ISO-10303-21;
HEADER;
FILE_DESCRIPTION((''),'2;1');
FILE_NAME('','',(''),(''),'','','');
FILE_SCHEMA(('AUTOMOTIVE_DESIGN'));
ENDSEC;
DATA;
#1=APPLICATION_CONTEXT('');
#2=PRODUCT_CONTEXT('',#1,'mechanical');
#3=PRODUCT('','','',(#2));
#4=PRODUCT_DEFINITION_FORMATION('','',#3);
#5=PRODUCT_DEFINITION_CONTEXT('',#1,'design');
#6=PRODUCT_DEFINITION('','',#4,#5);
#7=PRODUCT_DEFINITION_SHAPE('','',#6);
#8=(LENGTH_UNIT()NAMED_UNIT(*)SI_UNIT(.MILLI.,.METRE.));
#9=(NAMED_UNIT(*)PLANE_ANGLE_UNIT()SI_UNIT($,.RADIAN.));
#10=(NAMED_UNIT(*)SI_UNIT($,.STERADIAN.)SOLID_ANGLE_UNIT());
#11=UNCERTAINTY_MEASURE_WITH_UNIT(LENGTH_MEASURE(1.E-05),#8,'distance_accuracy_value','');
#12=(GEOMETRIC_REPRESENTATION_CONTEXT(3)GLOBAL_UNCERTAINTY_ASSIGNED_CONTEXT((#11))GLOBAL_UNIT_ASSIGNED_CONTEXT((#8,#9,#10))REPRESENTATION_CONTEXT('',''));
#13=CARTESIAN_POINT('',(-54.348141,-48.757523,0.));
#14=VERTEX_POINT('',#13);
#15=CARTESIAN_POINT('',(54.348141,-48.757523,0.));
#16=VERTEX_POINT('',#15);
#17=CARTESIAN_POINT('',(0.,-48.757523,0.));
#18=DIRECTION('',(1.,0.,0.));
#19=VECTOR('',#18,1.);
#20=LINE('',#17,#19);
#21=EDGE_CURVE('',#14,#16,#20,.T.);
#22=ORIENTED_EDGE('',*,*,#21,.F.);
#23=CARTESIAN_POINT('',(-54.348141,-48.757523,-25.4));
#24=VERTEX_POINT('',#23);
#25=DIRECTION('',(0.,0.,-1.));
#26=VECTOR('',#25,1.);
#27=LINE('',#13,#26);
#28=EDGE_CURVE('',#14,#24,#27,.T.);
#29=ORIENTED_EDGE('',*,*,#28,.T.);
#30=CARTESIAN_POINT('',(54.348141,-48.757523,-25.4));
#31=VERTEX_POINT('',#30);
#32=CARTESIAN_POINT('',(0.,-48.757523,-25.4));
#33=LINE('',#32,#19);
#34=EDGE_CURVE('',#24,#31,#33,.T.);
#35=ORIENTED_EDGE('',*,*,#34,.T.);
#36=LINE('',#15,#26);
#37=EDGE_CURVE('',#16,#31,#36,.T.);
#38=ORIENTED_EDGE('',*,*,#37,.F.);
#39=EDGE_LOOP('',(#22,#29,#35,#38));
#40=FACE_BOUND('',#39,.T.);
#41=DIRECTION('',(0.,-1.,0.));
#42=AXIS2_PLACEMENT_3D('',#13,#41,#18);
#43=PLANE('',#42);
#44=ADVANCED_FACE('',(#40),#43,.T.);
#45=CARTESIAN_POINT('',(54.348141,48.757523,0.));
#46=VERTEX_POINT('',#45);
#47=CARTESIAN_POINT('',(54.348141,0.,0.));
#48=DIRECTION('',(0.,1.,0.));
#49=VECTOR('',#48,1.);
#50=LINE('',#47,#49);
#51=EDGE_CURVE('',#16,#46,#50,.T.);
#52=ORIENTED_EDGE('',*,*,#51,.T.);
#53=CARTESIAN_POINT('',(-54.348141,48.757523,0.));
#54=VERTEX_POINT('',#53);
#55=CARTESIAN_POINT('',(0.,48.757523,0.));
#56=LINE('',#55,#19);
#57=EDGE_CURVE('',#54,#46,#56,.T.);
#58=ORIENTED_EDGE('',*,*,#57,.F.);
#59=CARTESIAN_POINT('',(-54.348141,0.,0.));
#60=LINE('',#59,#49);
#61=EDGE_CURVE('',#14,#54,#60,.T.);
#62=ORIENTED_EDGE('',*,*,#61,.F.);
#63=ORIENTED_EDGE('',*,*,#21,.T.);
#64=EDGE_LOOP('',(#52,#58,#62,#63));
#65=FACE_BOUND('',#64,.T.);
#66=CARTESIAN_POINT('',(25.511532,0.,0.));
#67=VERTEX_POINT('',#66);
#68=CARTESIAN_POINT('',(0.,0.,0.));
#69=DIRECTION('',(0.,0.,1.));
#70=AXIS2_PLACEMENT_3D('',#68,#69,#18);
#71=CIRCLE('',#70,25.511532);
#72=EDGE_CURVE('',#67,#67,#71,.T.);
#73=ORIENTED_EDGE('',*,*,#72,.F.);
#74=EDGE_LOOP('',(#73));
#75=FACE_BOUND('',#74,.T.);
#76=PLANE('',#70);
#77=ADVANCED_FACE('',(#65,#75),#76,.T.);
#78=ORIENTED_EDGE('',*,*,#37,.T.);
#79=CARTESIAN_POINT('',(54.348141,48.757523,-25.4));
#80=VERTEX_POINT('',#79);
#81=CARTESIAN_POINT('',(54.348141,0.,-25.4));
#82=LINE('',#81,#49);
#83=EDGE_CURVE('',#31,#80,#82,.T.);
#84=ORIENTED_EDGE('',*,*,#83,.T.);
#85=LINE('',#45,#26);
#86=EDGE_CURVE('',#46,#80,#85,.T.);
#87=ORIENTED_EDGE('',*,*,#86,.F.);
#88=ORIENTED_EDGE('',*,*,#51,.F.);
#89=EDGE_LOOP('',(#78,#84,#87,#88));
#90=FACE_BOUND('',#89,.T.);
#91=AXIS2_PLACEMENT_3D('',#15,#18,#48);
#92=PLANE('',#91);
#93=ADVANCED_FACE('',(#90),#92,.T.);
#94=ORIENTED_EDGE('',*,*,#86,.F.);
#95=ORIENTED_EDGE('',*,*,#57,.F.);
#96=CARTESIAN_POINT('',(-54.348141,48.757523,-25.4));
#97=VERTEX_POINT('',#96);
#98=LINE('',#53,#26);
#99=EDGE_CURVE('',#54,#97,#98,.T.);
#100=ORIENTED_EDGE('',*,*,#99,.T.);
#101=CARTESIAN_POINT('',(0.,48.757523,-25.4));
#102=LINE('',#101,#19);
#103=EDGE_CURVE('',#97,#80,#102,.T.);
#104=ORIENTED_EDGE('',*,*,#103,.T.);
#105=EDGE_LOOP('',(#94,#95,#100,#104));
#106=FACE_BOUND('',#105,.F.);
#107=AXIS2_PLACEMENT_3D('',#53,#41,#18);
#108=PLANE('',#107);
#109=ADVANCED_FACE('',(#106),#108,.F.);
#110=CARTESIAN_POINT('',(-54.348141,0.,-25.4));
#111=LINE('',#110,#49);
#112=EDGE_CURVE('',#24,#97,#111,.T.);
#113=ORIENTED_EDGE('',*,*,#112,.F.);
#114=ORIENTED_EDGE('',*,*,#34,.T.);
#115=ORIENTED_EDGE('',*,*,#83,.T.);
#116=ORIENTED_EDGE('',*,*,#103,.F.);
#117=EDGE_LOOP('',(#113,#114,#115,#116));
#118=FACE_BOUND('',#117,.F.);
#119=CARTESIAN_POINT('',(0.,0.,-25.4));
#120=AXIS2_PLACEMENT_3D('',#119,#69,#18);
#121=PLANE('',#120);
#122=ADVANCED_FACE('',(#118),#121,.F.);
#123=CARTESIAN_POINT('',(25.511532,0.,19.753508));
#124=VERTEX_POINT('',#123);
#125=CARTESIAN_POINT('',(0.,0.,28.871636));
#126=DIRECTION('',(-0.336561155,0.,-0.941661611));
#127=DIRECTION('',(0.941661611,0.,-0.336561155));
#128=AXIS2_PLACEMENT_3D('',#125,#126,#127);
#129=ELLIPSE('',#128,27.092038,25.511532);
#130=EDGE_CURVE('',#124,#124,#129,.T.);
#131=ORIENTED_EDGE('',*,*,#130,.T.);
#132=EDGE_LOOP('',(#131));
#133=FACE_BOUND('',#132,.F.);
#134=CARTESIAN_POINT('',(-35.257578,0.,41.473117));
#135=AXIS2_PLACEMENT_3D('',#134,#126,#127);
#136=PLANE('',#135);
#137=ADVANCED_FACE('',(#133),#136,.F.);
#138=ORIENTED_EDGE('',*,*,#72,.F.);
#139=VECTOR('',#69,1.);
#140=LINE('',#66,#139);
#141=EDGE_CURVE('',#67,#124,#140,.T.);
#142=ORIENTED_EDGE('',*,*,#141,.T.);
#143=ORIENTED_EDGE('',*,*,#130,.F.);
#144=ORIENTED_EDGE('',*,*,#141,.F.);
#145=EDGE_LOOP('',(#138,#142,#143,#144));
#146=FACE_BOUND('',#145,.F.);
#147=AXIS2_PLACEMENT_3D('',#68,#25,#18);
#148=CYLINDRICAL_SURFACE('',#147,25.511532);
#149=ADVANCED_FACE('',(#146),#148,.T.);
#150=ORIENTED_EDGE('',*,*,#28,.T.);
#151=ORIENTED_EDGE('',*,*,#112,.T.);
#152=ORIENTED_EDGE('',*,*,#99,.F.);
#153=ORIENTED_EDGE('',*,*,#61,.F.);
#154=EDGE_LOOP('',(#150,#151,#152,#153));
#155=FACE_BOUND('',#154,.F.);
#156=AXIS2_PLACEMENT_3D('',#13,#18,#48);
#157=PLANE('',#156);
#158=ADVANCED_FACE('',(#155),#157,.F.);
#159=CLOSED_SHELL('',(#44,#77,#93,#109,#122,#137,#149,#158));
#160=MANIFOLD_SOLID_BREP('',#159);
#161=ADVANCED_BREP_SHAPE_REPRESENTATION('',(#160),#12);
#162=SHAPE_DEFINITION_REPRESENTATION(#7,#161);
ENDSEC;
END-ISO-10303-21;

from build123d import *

# Parameters (mm, degrees)
F0_W     = 108.696282
F0_H     = 97.515046
F1_DEPTH = 25.4
F2_R     = 25.511532
F3_DEPTH = 38.1
F5_DEPTH = 63.5


with BuildPart() as f1:
    # F0 (on Top) → F1 (new body)
    with BuildSketch(Plane.XY):
        Rectangle(F0_W, F0_H)
    extrude(amount=-F1_DEPTH)

    # F2 (on Top) → F3 (join)
    with BuildSketch(Plane.XY):
        Circle(F2_R)
    extrude(amount=F3_DEPTH)

    # F4 (on Front) → F5 (cut, symmetric)
    with BuildSketch(Plane.XZ):
        Polygon((25.862852, 41.473117), (-35.257578, 41.473117), (25.597604, 19.722745), align=None)
    extrude(amount=F5_DEPTH, both=True, mode=Mode.SUBTRACT)


solid = f1.part
